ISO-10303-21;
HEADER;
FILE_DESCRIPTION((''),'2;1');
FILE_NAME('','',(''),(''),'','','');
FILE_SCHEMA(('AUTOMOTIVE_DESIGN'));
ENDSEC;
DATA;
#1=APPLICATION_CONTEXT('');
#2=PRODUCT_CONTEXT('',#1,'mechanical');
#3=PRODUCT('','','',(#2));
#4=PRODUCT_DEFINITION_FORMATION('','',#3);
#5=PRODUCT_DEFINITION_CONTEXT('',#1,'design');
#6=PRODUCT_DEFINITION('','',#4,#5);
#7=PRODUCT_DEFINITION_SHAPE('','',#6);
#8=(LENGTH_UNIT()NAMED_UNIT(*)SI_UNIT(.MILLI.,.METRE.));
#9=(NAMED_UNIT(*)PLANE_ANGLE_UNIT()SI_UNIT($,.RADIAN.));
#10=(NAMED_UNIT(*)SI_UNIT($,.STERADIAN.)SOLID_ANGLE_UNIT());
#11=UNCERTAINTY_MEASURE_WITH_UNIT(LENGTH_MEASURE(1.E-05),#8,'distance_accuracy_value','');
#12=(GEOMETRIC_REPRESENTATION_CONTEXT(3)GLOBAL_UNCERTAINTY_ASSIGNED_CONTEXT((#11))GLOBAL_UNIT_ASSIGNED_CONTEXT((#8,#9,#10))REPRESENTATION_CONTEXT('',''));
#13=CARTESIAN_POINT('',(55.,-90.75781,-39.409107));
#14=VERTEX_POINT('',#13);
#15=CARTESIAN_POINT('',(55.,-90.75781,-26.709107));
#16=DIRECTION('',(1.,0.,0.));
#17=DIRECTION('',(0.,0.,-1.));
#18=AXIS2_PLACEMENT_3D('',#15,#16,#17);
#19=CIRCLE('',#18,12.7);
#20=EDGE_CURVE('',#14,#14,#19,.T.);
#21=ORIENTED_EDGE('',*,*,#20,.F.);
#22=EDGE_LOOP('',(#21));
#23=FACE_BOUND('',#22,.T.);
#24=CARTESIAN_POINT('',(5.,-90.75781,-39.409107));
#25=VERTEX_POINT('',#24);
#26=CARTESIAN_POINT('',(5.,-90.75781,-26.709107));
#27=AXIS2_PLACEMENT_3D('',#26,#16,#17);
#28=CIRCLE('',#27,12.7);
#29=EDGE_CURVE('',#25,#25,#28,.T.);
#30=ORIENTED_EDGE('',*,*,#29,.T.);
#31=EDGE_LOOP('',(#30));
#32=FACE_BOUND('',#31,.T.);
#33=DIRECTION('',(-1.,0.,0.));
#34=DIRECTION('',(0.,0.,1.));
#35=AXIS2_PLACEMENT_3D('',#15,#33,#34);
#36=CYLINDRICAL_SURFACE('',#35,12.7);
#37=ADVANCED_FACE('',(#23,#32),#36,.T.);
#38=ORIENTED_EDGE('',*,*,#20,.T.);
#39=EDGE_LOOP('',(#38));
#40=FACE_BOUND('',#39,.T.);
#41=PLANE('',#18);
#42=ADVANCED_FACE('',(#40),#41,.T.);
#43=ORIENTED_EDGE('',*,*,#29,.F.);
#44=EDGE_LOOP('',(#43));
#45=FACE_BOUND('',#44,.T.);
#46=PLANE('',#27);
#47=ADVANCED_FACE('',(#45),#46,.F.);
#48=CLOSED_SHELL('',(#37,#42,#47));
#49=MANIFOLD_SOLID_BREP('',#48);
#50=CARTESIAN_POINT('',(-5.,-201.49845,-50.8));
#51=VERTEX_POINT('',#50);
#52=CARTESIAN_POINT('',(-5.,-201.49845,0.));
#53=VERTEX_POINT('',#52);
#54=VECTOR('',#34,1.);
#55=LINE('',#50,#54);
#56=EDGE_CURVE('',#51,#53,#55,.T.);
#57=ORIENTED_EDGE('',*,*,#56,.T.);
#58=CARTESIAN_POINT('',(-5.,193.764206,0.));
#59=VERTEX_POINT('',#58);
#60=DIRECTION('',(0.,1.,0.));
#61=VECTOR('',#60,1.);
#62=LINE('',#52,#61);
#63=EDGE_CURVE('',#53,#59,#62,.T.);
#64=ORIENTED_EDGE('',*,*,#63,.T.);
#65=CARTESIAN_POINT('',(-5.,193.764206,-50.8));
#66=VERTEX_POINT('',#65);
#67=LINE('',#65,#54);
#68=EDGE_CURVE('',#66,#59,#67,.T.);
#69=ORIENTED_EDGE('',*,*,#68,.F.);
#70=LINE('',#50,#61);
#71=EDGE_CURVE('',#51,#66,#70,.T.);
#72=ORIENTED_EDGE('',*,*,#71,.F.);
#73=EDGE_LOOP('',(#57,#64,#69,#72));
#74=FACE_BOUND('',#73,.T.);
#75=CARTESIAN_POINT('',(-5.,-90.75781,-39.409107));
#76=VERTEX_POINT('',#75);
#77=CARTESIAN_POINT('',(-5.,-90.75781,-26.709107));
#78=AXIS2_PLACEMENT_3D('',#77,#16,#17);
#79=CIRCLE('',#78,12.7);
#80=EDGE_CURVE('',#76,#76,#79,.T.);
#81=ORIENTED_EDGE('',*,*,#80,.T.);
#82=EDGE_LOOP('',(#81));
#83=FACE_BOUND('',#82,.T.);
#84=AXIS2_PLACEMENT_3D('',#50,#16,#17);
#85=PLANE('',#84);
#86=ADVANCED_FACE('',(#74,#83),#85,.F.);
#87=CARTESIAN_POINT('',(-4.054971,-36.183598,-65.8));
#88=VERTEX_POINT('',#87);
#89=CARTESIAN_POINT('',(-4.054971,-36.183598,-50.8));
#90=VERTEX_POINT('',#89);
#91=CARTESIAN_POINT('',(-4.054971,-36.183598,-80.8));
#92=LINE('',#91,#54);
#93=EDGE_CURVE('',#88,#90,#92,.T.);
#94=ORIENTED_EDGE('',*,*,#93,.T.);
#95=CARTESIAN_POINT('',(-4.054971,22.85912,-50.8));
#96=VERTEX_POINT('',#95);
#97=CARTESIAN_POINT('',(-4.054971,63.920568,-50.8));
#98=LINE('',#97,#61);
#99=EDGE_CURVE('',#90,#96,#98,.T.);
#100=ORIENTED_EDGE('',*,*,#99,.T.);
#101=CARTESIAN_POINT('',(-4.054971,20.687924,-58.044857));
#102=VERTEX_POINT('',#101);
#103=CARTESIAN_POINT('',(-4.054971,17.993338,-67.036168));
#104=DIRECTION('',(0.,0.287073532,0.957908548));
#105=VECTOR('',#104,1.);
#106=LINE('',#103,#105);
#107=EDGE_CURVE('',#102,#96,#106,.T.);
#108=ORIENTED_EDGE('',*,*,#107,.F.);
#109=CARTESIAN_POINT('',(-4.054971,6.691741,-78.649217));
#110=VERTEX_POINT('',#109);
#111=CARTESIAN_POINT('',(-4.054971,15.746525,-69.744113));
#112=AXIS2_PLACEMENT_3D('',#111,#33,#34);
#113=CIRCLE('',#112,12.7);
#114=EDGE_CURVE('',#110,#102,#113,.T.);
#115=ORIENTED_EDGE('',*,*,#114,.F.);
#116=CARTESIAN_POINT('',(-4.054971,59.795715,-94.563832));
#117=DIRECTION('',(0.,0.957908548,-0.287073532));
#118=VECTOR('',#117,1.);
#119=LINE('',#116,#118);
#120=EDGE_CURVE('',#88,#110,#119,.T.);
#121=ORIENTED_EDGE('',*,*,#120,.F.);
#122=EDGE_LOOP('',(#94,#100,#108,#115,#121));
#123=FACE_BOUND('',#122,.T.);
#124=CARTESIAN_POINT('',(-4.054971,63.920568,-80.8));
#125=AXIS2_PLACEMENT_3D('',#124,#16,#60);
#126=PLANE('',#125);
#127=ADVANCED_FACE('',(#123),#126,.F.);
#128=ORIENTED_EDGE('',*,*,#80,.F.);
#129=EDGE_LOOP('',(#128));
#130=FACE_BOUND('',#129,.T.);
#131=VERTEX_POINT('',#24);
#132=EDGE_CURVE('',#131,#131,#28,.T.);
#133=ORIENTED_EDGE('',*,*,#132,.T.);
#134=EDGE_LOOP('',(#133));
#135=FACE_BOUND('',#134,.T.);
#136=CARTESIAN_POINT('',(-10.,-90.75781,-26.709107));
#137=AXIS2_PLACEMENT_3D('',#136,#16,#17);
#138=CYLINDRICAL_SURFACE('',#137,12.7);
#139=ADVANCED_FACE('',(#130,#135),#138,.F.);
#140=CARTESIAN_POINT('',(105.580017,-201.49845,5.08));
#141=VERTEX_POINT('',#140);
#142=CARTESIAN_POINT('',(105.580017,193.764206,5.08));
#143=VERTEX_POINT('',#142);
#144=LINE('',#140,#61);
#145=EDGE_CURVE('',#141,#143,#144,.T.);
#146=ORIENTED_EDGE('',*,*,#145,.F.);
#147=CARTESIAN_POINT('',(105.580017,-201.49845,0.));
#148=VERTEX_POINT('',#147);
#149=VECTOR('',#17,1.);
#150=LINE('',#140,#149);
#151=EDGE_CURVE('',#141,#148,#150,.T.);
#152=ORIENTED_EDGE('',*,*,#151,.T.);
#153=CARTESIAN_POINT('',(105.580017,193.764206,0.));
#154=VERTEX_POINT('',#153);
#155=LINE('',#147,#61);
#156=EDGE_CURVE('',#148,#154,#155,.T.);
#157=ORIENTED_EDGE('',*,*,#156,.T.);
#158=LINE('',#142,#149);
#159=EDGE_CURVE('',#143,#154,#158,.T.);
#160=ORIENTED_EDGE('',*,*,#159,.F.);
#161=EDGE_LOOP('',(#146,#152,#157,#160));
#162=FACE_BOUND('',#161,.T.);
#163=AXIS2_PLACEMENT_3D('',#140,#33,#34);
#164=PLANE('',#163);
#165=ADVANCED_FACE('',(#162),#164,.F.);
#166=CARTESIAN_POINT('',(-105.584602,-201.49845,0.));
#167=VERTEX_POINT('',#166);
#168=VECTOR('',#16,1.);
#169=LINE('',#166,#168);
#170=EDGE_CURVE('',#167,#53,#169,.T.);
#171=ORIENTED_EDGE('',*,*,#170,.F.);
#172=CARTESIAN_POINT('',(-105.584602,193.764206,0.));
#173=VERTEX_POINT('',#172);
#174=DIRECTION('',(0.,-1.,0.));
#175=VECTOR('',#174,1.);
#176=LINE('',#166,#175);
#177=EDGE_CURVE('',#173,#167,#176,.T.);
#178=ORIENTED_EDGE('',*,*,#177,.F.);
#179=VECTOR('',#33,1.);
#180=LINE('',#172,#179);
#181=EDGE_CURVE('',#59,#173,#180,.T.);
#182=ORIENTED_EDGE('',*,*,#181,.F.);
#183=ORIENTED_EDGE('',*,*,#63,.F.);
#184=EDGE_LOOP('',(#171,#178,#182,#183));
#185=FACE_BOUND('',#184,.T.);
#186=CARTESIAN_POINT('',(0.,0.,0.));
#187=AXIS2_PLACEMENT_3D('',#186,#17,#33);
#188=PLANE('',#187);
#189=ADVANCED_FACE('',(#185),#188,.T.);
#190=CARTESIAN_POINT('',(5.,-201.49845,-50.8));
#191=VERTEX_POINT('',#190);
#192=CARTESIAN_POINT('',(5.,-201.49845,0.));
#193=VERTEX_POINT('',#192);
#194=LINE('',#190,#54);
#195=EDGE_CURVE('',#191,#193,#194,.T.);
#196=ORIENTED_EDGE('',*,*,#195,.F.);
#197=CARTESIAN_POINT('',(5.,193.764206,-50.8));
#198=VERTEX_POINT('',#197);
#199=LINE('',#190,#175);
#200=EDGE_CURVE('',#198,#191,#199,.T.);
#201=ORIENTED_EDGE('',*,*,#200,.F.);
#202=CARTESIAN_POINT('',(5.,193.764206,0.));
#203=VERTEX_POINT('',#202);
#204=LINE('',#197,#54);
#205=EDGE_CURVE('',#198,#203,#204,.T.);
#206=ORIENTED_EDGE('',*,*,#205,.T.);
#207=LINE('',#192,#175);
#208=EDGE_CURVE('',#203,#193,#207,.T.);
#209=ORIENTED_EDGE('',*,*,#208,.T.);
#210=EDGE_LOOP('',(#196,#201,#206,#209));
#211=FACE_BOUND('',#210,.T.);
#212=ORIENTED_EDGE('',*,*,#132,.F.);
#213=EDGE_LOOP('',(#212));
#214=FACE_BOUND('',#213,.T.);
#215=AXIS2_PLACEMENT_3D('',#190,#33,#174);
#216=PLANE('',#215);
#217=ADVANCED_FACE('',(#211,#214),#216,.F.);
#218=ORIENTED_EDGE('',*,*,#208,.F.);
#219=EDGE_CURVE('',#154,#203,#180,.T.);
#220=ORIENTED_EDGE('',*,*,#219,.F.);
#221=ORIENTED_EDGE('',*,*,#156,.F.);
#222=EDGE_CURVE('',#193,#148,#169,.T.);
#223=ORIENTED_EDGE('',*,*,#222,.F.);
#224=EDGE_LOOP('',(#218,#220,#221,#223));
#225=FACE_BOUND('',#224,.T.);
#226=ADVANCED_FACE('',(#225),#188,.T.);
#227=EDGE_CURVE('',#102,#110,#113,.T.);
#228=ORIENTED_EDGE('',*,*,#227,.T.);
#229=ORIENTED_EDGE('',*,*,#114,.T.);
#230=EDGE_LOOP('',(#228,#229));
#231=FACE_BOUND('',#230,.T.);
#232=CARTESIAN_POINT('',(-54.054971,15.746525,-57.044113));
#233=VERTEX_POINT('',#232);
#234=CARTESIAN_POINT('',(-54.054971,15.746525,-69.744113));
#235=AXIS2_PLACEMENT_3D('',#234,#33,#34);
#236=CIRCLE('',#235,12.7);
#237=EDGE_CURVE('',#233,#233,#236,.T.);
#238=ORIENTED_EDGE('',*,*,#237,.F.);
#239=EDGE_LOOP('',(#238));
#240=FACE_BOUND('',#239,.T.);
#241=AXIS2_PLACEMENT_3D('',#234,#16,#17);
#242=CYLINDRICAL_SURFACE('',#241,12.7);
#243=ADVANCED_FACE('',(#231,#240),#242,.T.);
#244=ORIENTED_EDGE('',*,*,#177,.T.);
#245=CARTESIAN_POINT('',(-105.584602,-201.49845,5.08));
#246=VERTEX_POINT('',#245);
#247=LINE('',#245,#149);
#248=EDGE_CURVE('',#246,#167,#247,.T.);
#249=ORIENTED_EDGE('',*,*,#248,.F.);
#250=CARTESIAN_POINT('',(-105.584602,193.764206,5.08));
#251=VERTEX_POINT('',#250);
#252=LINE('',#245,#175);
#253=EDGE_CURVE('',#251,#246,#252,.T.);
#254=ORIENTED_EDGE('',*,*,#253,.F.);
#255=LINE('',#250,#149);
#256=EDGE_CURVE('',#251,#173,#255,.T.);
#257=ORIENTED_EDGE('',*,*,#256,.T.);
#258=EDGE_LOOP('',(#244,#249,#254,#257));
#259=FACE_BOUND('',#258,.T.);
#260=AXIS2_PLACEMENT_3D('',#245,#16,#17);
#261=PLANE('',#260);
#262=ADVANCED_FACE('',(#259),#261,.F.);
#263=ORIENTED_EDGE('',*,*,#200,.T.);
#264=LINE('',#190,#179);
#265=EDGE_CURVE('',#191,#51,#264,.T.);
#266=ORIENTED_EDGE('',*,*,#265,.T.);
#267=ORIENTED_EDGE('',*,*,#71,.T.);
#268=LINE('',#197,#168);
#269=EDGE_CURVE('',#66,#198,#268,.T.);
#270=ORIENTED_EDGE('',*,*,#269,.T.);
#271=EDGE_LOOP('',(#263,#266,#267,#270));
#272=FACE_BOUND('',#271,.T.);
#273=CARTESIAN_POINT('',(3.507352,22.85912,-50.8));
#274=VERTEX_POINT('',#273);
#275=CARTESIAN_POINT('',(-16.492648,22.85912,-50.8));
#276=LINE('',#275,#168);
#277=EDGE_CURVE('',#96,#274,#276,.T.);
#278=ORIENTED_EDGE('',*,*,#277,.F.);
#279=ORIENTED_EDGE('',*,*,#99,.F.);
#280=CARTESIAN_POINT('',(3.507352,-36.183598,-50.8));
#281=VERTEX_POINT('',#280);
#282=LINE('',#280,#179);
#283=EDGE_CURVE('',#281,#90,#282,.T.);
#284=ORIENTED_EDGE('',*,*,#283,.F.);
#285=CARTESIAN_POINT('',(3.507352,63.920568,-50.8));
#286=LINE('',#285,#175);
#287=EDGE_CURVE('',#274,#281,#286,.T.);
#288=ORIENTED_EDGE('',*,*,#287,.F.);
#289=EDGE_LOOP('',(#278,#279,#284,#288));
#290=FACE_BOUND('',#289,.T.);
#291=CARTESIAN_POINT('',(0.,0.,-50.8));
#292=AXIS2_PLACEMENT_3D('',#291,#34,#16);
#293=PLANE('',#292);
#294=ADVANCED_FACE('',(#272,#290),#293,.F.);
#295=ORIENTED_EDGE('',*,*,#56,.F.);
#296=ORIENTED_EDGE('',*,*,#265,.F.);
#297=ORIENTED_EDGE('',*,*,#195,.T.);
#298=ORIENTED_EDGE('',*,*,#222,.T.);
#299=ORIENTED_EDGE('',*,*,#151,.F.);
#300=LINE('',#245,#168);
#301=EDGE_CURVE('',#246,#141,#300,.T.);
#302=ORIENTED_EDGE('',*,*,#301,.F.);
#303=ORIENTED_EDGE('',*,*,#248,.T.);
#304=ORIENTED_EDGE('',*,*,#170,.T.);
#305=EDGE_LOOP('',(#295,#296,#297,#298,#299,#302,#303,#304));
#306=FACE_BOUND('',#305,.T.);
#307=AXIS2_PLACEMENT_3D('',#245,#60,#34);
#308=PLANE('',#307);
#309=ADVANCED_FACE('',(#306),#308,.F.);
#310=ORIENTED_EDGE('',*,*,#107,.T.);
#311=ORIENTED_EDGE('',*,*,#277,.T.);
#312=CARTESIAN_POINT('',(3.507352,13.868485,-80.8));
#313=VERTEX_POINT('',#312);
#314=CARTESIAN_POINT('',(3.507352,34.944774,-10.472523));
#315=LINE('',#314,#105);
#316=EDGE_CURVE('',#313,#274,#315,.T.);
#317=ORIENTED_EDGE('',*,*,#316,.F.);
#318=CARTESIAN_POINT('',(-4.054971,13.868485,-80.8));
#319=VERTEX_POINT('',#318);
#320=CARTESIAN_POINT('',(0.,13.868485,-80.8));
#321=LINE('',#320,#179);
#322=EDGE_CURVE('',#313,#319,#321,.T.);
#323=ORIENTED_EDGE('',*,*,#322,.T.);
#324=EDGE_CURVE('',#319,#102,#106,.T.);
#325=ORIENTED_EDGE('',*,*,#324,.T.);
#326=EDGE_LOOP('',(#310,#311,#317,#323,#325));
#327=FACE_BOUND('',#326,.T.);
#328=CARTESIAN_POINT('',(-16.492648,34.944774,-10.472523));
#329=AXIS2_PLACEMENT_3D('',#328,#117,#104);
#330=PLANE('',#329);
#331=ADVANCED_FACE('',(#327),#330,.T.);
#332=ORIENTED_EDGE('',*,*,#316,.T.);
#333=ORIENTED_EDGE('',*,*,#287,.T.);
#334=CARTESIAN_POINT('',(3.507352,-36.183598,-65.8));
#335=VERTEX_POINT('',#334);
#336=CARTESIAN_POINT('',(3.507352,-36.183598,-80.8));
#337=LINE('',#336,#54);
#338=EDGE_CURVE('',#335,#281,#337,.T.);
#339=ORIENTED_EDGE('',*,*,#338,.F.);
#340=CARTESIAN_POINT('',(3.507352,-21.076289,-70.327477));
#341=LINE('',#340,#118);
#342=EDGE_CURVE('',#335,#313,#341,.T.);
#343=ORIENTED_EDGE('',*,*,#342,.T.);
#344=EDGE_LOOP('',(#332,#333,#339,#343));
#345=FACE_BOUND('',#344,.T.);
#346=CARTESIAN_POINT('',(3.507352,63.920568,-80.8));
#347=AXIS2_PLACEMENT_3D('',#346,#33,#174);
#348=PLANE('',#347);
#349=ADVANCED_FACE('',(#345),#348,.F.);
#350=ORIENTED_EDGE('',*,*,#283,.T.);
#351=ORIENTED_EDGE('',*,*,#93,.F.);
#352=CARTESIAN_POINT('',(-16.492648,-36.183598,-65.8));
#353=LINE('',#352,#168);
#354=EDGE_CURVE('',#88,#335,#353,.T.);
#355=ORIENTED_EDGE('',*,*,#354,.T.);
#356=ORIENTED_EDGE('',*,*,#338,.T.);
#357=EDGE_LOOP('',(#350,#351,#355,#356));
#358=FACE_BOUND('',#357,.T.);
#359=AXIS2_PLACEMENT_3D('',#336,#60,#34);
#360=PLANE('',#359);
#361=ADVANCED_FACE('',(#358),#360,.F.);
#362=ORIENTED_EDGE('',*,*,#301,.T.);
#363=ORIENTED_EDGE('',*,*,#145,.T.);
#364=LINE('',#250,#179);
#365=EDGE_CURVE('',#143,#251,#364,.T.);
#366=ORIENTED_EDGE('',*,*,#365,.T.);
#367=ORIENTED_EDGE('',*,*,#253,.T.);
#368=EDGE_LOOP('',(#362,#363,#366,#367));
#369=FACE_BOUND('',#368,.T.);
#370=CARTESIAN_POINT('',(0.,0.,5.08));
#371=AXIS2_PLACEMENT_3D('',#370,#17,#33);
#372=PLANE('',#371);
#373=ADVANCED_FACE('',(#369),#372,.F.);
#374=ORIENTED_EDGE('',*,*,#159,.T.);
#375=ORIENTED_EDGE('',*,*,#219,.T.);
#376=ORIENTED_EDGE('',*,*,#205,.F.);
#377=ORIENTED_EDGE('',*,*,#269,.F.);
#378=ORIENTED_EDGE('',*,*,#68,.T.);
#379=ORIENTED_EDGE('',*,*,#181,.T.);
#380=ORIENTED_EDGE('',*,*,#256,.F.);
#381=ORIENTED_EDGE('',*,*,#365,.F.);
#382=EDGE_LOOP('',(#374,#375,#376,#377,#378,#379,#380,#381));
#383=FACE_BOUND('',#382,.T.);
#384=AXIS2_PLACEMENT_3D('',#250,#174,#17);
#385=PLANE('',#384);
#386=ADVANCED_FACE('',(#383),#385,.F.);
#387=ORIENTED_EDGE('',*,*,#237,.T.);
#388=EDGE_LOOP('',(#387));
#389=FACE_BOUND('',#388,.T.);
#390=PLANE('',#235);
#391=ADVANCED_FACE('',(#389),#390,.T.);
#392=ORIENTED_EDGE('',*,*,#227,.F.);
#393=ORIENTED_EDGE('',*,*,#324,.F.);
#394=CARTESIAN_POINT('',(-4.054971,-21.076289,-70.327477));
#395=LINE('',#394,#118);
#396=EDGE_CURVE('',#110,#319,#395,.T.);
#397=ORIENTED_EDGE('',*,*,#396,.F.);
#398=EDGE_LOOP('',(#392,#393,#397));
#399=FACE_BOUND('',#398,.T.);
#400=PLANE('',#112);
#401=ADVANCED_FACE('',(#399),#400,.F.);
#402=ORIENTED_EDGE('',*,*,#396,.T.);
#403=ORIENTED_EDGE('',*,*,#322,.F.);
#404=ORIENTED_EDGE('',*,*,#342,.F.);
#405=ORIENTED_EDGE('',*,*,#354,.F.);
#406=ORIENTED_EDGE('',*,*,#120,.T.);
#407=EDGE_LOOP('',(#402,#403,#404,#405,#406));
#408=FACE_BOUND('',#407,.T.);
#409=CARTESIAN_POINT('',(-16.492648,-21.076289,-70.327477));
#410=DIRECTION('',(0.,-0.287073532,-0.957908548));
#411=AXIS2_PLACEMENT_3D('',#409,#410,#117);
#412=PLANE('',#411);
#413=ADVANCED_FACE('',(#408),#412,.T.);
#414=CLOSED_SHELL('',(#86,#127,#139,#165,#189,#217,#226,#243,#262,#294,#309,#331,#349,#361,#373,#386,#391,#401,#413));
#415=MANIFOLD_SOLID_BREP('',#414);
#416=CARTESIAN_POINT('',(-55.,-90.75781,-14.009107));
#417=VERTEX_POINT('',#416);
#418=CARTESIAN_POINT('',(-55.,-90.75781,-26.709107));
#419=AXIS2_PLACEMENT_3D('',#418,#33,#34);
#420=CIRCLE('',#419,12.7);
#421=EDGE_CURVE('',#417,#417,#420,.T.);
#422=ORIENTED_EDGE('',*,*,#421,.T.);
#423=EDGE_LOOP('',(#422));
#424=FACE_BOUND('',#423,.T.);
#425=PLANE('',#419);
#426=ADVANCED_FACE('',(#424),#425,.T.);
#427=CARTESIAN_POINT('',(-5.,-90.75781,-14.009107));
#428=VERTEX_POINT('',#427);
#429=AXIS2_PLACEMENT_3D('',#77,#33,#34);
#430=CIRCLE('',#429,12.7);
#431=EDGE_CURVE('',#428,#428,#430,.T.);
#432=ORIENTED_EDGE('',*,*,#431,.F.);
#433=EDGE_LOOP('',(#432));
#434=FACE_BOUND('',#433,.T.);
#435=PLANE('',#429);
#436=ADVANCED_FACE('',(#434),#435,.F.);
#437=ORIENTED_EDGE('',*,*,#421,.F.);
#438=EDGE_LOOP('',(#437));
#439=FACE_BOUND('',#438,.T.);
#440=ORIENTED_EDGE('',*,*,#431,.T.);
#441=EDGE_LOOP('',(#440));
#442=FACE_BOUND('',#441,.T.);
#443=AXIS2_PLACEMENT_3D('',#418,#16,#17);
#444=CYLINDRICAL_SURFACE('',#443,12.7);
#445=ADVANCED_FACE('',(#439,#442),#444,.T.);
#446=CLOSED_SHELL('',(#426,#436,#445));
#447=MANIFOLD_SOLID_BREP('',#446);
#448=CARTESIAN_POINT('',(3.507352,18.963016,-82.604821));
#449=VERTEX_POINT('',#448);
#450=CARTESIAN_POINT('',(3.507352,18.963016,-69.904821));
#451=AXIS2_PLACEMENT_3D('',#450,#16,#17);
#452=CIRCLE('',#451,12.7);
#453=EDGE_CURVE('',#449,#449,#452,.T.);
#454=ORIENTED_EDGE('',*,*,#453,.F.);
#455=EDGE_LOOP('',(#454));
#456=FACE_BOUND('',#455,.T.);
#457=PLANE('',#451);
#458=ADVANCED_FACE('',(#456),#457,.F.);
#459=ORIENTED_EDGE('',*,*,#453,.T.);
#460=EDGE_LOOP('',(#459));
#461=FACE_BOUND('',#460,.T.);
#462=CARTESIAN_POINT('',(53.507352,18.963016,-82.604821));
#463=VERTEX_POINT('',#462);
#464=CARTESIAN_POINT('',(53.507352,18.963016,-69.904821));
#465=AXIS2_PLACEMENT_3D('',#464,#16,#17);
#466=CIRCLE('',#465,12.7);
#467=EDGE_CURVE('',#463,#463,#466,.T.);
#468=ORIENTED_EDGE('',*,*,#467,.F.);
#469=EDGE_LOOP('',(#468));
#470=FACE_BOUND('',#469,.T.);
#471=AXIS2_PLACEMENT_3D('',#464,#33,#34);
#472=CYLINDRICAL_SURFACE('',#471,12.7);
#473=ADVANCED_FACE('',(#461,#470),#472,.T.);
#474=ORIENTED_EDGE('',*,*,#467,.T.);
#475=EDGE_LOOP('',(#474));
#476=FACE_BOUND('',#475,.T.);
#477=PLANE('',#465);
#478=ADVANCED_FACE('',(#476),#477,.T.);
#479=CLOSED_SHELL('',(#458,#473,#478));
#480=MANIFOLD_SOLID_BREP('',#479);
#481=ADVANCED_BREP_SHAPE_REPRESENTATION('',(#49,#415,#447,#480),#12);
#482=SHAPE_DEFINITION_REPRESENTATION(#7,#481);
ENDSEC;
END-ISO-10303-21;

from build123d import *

# Parameters (mm, degrees)
SKETCH1_W           = 211.164618672
SKETCH1_H           = 395.262656468
BOSS_EXTRUDE1_DEPTH = 5.08
SKETCH2_W           = 10
SKETCH2_H           = 395.262656468
BOSS_EXTRUDE2_DEPTH = 50.8
SKETCH3_R           = 12.7
CUT_EXTRUDE1_DEPTH  = 15
SKETCH5_W           = 7.562322901
SKETCH5_H           = 100.104165791
BOSS_EXTRUDE3_DEPTH = 30
CUT_EXTRUDE4_DEPTH  = 20
SKETCH13_R          = 12.7
BOSS_EXTRUDE4_DEPTH = 50
SKETCH15_R          = 12.7
BOSS_EXTRUDE5_DEPTH = 50
SKETCH16_R          = 12.7
BOSS_EXTRUDE6_DEPTH = 50
SKETCH17_R          = 12.7
BOSS_EXTRUDE7_DEPTH = 50


with BuildPart() as part:
    # Sketch1 → Boss-Extrude1 (new body)
    with BuildSketch(Plane.XY):
        with Locations((-0.002292742, -3.867122219)):
            Rectangle(SKETCH1_W, SKETCH1_H)
    extrude(amount=BOSS_EXTRUDE1_DEPTH)

    # Sketch2 → Boss-Extrude2 (add)
    with BuildSketch(Plane(origin=(0, 0, 0), x_dir=(-1, 0, 0), z_dir=(0, 0, -1))):
        with Locations((0, -3.867122219)):
            Rectangle(SKETCH2_W, SKETCH2_H)
    extrude(amount=BOSS_EXTRUDE2_DEPTH)

    # Sketch3 → Cut-Extrude1 (cut)
    with BuildSketch(Plane(origin=(5, 0, 0), x_dir=(0, 0, -1), z_dir=(1, 0, 0))):
        with Locations((26.709107081, -90.757809842)):
            Circle(SKETCH3_R)
    extrude(amount=-CUT_EXTRUDE1_DEPTH, mode=Mode.SUBTRACT)

    # Sketch5 → Boss-Extrude3 (add)
    with BuildSketch(Plane(origin=(0, 0, -50.8), x_dir=(-1, 0, 0), z_dir=(0, 0, -1))):
        with Locations((0.273809221, 13.868484909)):
            Rectangle(SKETCH5_W, SKETCH5_H)
    extrude(amount=BOSS_EXTRUDE3_DEPTH)

    # Sketch12 → Cut-Extrude4 (cut)
    with BuildSketch(Plane(origin=(3.50735223, 0, 0), x_dir=(0, 0, -1), z_dir=(1, 0, 0))):
        Polygon((80.8, 13.868484908), (65.8, -36.183597987), (80.8, -36.183597987), align=None)
        Polygon((50.8, 22.859119742), (80.8, 13.868484908), (80.8, 63.920567804), (50.8, 63.920567804), align=None)
    extrude(amount=-CUT_EXTRUDE4_DEPTH, mode=Mode.SUBTRACT)

    # Sketch13 → Boss-Extrude4 (add)
    with BuildSketch(Plane.ZY.offset(4.054970671)):
        with Locations(Location((-69.744112894, 15.746525461, 0), (0, 0, 225.477498296))):
            Circle(SKETCH13_R)
    extrude(amount=BOSS_EXTRUDE4_DEPTH)


with BuildPart() as body_2:
    # Sketch15 → Boss-Extrude5 (new body)
    with BuildSketch(Plane(origin=(3.50735223, 0, 0), x_dir=(0, 0, -1), z_dir=(1, 0, 0))):
        with Locations((69.904821155, 18.963016363)):
            Circle(SKETCH15_R)
    extrude(amount=BOSS_EXTRUDE5_DEPTH)


with BuildPart() as body_3:
    # Sketch16 → Boss-Extrude6 (new body)
    with BuildSketch(Plane(origin=(5, 0, 0), x_dir=(0, 0, -1), z_dir=(1, 0, 0))):
        with Locations((26.709107081, -90.757809842)):
            Circle(SKETCH16_R)
    extrude(amount=BOSS_EXTRUDE6_DEPTH)


with BuildPart() as body_4:
    # Sketch17 → Boss-Extrude7 (new body)
    with BuildSketch(Plane.ZY.offset(5)):
        with Locations((-26.709107081, -90.757809842)):
            Circle(SKETCH17_R)
    extrude(amount=BOSS_EXTRUDE7_DEPTH)


solid = Compound([part.part, body_2.part, body_3.part, body_4.part])
